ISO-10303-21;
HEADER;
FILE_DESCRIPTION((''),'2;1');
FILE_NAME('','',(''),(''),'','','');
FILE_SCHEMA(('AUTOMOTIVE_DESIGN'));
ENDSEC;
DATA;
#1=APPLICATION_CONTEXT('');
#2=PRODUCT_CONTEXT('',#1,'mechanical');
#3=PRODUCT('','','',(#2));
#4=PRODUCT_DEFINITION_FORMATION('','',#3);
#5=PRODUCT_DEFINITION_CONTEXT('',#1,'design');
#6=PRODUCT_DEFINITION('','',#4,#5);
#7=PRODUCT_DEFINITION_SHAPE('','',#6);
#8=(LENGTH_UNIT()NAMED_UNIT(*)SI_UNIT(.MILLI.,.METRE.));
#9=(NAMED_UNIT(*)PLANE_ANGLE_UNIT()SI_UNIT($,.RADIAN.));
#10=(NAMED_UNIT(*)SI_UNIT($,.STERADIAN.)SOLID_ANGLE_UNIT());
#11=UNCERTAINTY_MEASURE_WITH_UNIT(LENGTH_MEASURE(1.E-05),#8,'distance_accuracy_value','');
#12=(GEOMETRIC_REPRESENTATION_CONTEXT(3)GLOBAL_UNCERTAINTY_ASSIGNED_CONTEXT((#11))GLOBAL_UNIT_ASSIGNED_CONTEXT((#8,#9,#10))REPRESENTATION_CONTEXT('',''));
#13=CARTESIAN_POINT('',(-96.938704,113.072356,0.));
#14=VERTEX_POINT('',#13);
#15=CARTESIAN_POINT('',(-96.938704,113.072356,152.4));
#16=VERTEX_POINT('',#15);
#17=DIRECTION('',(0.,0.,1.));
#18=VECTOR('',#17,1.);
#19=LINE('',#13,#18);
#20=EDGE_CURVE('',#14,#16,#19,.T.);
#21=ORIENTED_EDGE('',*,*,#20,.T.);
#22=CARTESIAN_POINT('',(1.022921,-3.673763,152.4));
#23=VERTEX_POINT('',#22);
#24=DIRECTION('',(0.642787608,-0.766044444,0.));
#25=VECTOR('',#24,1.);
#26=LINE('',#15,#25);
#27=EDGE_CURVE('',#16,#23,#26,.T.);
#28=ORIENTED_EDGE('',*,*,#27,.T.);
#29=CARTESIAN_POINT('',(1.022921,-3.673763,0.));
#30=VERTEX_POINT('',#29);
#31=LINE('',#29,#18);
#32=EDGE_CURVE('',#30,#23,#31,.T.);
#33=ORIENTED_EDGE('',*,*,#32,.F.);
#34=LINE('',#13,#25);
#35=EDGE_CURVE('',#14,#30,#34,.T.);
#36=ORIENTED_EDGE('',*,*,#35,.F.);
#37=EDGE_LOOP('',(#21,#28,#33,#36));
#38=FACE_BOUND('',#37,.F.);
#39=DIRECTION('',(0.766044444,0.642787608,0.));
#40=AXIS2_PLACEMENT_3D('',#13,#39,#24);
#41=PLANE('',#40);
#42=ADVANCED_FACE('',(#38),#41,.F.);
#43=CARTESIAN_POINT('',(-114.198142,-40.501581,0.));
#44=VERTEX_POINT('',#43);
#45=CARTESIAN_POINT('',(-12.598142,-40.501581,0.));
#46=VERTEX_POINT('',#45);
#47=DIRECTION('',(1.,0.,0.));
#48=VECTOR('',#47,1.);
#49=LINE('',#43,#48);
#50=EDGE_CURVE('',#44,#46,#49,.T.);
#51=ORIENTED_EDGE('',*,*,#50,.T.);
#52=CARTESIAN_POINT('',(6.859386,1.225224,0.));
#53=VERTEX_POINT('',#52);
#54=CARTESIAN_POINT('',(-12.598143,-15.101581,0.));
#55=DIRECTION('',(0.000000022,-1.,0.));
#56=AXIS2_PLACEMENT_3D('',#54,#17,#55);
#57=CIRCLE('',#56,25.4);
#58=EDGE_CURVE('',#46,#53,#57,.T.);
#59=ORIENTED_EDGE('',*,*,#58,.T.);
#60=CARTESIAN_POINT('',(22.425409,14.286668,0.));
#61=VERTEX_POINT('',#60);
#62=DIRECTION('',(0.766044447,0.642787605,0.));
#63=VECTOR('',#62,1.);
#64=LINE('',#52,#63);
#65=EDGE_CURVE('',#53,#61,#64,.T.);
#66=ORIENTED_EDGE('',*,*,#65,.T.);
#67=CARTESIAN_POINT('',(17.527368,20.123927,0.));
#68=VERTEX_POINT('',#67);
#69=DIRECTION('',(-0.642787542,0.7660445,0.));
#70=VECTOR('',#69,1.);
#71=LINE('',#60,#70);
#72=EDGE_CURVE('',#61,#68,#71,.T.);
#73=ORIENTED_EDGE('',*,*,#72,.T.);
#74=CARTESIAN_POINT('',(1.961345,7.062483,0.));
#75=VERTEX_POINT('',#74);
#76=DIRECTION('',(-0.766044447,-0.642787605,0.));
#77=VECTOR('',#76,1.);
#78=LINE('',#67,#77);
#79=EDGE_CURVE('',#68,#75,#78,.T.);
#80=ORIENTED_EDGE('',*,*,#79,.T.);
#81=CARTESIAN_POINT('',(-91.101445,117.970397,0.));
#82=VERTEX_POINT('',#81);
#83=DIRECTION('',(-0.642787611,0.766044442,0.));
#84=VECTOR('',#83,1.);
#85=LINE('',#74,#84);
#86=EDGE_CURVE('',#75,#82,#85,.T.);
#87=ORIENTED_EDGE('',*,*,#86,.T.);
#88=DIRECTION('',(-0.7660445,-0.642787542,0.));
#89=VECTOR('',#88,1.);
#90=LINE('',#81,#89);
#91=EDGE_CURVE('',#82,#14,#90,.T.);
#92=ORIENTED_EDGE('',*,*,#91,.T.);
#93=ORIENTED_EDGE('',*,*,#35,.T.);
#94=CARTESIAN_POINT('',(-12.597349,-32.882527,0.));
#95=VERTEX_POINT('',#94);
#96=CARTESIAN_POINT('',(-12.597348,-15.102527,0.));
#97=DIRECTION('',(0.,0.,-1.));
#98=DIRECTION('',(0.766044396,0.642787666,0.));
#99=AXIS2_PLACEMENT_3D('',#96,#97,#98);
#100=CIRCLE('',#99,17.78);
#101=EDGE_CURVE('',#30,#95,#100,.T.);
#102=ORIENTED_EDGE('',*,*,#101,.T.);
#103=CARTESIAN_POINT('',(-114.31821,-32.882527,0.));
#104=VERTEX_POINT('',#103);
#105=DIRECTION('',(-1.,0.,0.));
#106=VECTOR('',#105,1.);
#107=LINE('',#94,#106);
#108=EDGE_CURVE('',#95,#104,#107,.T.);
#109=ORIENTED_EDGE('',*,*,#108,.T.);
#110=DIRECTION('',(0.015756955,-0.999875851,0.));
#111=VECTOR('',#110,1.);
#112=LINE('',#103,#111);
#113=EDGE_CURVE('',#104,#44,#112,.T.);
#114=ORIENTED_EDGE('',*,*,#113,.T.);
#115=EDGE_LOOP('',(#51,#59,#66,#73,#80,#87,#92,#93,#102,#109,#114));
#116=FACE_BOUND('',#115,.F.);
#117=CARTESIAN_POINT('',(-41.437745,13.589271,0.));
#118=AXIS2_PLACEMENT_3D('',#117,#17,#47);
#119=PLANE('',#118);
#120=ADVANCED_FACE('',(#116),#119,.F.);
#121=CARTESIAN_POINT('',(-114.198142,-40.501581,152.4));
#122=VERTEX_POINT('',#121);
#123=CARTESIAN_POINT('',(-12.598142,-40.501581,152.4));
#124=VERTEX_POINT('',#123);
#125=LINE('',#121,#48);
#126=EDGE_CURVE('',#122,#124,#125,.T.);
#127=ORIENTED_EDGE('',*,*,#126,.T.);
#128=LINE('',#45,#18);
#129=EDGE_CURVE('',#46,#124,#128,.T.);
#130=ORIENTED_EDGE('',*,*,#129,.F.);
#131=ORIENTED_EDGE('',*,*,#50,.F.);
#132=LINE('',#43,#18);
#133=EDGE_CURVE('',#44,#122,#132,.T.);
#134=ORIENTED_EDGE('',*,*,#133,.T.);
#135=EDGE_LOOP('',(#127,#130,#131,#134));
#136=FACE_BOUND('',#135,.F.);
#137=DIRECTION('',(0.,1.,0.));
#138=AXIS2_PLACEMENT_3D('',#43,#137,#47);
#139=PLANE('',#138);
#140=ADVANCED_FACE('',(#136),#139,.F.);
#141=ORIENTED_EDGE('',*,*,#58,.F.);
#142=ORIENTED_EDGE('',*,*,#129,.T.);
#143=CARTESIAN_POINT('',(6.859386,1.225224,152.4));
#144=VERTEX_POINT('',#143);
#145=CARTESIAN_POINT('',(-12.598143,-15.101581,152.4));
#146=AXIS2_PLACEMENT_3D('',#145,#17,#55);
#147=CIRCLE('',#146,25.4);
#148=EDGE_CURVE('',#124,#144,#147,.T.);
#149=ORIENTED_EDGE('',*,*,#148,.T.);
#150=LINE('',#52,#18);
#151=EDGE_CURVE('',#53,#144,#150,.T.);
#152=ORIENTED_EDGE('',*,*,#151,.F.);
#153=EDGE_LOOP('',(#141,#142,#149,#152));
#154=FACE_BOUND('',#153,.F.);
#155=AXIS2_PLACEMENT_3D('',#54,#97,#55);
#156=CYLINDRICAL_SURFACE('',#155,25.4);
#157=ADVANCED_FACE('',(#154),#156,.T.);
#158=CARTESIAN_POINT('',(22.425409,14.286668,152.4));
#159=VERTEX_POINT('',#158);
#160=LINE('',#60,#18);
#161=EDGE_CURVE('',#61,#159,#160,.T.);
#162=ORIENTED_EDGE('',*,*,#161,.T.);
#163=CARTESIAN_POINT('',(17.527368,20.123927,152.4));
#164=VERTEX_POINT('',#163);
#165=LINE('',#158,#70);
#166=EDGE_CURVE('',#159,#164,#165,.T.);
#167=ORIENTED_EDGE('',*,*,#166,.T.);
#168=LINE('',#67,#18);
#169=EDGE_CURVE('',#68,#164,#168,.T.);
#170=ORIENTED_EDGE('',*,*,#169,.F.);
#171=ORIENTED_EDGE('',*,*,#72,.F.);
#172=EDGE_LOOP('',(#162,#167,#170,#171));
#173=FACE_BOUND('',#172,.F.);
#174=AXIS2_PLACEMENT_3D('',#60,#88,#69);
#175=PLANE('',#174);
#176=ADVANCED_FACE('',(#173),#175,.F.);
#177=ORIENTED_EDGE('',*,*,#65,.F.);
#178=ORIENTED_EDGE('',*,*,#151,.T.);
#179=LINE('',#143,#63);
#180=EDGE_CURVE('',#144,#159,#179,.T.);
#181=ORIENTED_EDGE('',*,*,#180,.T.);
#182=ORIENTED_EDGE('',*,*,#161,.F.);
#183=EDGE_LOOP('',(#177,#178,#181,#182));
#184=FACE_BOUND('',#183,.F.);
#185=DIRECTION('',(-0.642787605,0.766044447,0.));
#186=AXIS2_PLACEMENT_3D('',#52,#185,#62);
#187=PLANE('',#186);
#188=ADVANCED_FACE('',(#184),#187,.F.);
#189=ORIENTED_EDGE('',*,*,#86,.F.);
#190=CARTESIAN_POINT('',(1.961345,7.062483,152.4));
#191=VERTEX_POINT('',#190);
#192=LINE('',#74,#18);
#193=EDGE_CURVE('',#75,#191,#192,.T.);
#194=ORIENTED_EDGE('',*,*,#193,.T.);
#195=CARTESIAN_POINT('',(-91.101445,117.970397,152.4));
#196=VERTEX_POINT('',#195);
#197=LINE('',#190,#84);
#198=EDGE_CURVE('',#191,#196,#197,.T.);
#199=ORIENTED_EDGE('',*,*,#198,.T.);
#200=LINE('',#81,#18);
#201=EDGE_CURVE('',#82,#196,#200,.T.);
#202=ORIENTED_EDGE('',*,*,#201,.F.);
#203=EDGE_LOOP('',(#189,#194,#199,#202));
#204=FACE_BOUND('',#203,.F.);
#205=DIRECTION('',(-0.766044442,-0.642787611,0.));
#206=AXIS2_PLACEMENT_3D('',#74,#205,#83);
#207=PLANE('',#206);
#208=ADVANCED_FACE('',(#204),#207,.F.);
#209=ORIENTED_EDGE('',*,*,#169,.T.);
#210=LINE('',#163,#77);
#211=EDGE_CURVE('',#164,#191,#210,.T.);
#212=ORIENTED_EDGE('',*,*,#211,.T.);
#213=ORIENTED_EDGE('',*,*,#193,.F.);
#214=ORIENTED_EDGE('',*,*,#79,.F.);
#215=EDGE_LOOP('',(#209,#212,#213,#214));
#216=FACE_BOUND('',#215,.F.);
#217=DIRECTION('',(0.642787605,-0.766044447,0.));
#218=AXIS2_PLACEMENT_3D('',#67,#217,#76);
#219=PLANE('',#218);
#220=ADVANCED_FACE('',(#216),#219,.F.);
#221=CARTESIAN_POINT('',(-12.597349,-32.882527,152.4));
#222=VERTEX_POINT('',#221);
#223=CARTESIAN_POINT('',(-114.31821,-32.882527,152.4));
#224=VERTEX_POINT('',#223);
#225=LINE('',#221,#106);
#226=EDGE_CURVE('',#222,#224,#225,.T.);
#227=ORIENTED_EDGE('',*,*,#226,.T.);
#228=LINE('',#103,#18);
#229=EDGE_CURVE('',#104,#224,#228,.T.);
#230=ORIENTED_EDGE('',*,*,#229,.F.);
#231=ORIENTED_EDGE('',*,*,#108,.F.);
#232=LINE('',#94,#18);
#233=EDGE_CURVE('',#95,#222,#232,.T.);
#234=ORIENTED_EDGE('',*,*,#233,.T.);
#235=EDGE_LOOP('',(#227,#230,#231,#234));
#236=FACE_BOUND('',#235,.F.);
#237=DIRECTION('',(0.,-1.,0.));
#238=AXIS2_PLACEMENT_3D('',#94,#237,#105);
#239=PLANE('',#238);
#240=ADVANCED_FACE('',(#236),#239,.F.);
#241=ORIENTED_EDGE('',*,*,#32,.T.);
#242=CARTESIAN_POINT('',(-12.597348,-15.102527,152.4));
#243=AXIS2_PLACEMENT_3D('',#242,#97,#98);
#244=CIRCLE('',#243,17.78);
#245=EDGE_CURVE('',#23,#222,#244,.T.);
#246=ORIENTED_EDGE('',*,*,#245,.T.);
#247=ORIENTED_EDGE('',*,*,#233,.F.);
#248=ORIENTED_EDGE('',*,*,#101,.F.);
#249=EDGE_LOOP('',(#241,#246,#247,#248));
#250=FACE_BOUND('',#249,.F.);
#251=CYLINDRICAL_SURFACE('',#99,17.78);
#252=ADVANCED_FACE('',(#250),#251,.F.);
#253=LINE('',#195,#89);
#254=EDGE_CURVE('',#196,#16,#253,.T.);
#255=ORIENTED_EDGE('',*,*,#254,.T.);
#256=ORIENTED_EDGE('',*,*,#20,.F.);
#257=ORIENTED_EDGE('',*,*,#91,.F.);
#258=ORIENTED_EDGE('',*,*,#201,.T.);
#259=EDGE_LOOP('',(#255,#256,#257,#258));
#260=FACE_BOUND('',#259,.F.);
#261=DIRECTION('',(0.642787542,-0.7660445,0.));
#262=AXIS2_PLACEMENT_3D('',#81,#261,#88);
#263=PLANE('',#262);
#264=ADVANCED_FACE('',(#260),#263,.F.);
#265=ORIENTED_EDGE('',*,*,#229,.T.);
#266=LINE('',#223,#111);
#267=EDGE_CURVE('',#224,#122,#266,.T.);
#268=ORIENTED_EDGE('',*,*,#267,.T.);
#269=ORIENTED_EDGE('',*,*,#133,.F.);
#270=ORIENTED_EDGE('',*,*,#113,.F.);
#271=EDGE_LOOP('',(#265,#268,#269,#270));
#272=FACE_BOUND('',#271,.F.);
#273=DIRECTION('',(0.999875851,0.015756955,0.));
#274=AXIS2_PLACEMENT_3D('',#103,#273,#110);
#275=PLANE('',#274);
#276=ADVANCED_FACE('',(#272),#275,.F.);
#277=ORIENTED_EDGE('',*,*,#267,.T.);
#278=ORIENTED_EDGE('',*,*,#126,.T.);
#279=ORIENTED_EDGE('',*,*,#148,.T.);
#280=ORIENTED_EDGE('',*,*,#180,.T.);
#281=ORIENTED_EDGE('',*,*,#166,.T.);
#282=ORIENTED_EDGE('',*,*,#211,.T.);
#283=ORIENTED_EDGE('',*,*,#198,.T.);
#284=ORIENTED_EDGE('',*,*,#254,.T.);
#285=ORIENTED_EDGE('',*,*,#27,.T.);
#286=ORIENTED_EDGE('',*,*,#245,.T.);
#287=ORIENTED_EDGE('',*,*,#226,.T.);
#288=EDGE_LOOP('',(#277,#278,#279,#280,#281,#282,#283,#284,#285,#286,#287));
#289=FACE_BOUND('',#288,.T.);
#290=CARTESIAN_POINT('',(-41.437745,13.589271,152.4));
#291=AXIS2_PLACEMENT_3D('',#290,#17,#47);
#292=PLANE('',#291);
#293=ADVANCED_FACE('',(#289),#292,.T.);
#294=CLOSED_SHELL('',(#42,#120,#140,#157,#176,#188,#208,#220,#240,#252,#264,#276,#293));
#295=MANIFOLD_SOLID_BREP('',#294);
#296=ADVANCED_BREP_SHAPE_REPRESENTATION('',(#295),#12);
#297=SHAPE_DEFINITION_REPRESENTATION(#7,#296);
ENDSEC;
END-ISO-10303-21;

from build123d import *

# Parameters (mm, degrees)
F1_DEPTH = 152.4


with BuildPart() as f1:
    # F0 (on Top) → F1 (new body)
    with BuildSketch(Plane.XY):
        with BuildLine():
            Line((-114.31821, -32.882527), (-114.198142, -40.501581))
            Line((-114.198142, -40.501581), (-12.598142, -40.501581))
            ThreePointArc((-12.598142, -40.501581), (10.422075, -25.836085), (6.859386, 1.225224))
            Line((6.859386, 1.225224), (22.425409, 14.286668))
            Line((22.425409, 14.286668), (17.527368, 20.123927))
            Line((17.527368, 20.123927), (1.961345, 7.062483))
            Line((1.961345, 7.062483), (-91.101445, 117.970397))
            Line((-91.101445, 117.970397), (-96.938704, 113.072356))
            Line((-96.938704, 113.072356), (1.022921, -3.673763))
            ThreePointArc((1.022921, -3.673763), (3.516804, -22.61668), (-12.597349, -32.882527))
            Line((-12.597349, -32.882527), (-114.31821, -32.882527))
        make_face()
    extrude(amount=F1_DEPTH)


solid = f1.part
